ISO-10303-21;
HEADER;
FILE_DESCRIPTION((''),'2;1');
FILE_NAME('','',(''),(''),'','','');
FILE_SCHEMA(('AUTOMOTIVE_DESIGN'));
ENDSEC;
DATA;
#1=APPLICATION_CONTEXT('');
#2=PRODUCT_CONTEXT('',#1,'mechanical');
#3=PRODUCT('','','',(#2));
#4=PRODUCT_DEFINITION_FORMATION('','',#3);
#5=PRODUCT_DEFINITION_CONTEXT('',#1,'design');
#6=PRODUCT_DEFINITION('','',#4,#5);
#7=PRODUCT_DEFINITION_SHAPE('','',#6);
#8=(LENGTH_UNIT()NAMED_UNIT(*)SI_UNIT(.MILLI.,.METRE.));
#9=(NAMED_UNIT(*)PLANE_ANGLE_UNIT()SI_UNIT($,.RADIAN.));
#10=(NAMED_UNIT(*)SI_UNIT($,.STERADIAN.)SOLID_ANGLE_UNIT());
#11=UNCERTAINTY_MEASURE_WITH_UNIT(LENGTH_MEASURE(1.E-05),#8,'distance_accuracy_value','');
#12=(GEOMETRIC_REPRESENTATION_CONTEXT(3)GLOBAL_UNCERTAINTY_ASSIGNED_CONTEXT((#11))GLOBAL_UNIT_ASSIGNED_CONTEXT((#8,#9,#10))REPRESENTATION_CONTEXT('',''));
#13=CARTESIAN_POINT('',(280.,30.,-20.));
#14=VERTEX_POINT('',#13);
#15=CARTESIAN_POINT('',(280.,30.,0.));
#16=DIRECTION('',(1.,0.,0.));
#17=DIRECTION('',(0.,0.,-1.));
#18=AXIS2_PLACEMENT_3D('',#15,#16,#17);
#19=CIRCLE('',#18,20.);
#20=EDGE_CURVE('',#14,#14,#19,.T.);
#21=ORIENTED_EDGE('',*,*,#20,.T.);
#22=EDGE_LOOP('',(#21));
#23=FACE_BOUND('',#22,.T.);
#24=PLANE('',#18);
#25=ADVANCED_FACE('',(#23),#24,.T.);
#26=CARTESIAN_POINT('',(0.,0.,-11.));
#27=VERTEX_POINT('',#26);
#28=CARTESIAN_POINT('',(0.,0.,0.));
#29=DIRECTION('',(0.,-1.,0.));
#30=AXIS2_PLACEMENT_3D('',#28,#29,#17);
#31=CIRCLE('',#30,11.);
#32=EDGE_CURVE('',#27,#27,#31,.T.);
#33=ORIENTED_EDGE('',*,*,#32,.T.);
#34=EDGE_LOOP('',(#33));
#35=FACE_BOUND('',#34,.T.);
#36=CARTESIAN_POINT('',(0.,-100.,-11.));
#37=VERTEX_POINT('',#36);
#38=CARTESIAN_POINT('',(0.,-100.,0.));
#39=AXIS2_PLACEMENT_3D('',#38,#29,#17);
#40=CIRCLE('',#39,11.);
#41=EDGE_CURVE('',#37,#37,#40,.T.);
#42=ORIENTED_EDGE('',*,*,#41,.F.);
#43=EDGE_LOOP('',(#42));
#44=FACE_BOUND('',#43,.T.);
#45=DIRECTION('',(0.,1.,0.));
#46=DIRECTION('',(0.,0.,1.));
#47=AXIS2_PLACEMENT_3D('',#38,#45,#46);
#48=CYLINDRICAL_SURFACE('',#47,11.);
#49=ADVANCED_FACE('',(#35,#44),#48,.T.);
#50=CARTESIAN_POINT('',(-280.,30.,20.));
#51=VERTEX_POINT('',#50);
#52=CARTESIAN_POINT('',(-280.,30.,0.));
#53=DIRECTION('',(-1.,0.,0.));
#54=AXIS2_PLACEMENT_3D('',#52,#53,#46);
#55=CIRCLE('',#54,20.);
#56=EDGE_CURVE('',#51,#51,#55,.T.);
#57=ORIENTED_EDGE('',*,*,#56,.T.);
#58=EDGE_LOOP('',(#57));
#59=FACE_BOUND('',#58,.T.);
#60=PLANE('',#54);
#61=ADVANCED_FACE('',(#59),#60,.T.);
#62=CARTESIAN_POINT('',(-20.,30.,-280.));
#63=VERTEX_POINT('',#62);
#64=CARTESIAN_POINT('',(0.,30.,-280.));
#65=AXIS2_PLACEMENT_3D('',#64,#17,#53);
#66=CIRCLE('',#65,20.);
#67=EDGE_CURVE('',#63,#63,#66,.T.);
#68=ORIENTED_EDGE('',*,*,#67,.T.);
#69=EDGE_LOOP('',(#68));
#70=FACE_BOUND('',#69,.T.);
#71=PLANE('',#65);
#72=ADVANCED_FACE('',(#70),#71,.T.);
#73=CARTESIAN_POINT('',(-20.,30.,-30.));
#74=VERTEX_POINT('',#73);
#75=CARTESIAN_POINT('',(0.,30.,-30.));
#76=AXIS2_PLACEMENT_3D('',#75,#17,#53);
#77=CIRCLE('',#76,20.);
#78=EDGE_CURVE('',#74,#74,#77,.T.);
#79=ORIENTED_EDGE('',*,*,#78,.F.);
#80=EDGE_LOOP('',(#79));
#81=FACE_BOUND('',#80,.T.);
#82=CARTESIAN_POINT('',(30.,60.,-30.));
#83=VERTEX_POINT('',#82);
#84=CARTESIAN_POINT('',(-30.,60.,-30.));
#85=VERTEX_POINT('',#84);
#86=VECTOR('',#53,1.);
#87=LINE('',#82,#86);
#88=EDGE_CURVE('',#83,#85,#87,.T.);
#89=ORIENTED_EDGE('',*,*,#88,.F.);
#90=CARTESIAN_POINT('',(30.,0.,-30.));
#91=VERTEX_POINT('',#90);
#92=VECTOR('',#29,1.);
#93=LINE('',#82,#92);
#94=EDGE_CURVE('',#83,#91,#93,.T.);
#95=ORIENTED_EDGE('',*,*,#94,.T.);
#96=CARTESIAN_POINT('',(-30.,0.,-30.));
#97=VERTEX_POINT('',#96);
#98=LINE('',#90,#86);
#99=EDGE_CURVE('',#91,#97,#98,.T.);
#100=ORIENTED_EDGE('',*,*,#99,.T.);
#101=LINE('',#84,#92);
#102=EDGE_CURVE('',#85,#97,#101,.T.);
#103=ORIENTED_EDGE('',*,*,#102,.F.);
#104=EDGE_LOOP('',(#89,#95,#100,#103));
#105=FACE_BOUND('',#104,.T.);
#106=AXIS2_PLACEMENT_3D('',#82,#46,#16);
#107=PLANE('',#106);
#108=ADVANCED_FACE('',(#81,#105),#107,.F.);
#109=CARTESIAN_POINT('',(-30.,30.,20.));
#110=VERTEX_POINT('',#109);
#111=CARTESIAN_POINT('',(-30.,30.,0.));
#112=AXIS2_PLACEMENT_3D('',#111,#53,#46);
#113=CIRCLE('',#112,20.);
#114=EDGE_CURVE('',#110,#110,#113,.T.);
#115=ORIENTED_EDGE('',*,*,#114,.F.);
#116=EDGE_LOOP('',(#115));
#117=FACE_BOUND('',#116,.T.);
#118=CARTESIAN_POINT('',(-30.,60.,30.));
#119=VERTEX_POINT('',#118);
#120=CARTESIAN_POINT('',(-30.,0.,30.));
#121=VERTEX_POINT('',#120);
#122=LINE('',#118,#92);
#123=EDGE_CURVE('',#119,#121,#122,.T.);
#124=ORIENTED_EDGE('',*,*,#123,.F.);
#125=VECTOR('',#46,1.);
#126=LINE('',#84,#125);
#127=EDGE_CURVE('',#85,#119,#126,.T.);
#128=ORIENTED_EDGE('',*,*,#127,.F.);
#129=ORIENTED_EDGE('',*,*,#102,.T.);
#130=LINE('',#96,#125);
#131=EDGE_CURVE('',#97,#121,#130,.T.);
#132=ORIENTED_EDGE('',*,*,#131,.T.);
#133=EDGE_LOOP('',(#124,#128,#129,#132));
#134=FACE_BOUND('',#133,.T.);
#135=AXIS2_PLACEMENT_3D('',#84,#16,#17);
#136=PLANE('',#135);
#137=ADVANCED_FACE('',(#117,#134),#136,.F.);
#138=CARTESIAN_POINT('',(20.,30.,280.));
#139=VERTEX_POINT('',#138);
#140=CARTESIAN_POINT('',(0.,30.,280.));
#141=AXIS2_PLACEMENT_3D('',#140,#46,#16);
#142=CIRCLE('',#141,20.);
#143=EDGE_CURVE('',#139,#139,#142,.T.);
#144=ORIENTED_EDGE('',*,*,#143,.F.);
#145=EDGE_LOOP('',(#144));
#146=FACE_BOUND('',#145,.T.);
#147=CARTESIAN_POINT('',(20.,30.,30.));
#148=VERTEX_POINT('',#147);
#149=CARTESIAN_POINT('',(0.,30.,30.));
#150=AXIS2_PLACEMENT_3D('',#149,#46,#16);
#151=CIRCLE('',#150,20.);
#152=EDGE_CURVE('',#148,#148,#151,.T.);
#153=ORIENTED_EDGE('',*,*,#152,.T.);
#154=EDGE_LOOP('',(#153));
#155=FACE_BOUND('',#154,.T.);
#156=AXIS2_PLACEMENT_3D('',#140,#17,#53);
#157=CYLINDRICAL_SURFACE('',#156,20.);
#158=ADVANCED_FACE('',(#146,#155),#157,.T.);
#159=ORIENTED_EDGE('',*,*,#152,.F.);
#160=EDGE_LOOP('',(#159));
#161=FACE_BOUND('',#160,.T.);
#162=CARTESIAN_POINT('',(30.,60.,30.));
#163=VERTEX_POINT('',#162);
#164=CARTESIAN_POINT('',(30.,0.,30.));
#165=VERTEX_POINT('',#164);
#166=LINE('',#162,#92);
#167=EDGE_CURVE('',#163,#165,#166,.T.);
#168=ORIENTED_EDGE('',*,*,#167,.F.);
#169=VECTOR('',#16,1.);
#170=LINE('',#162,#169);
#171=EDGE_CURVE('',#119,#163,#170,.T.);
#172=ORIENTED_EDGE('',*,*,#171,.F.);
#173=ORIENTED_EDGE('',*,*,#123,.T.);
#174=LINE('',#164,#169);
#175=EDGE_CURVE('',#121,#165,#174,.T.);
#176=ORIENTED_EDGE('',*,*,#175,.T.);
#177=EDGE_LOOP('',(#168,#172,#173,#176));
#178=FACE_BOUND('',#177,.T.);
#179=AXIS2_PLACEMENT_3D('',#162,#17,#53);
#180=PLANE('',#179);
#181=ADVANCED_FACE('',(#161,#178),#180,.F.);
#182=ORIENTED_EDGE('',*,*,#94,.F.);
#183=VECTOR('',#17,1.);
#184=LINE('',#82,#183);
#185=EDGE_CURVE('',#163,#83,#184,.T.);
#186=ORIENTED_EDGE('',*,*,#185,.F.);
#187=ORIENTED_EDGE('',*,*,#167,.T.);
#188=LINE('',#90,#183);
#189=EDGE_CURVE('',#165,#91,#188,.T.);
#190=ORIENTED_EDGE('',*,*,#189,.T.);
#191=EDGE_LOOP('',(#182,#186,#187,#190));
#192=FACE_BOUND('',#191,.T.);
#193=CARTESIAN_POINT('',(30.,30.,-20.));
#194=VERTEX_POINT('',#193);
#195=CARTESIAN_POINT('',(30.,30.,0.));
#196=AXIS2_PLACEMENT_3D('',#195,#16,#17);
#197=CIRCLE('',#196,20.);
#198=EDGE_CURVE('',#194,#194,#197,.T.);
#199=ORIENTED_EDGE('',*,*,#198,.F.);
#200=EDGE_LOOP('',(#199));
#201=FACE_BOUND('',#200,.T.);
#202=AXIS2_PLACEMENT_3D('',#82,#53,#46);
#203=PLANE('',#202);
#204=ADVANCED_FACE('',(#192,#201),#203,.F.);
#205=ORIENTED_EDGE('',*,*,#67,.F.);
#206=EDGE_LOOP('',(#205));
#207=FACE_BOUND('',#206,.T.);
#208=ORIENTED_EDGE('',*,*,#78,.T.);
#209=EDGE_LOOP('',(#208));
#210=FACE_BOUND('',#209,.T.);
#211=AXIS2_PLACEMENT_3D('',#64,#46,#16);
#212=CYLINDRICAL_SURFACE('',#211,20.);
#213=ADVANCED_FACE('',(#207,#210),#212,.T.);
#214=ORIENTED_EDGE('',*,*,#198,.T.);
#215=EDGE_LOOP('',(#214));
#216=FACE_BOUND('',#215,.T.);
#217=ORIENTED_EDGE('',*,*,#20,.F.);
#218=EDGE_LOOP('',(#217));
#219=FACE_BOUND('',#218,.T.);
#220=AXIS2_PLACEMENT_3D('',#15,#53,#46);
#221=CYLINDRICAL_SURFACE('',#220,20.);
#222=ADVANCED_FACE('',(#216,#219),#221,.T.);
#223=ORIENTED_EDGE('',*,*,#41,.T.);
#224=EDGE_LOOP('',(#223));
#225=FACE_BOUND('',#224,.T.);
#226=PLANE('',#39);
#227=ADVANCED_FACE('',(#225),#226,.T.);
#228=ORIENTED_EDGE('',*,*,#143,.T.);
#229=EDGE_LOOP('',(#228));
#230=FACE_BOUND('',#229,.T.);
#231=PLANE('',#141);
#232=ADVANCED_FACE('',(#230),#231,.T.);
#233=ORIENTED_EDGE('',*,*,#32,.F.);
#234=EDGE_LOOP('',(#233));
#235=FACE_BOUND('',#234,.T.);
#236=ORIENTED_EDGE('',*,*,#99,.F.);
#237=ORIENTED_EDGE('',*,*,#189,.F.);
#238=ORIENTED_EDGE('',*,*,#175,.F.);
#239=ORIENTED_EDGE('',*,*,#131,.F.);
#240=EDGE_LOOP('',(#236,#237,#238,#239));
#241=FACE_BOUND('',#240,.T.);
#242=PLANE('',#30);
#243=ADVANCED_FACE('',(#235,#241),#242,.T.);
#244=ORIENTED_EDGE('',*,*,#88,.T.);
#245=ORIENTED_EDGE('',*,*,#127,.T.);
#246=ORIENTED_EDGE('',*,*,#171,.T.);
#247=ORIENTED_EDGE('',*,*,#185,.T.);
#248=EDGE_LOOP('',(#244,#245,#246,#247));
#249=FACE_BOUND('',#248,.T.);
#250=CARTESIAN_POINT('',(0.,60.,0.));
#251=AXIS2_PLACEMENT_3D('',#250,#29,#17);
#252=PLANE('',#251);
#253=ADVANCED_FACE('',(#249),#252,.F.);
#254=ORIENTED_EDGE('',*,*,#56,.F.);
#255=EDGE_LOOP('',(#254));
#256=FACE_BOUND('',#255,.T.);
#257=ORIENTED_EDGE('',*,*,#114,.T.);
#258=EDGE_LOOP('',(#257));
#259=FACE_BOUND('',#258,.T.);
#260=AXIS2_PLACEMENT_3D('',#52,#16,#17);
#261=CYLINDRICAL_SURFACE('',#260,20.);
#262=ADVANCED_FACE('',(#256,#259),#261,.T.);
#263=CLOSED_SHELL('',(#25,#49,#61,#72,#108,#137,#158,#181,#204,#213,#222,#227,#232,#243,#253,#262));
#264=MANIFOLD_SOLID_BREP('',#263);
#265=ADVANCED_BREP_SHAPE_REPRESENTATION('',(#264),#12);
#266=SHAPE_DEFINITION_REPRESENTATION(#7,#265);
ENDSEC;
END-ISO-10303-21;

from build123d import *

# Parameters (mm, degrees)
SKETCH1_W           = 60
SKETCH1_H           = 60
BOSS_EXTRUDE1_DEPTH = 60
SKETCH2_R           = 20
BOSS_EXTRUDE2_DEPTH = 250
SKETCH3_R           = 20
BOSS_EXTRUDE3_DEPTH = 250
BOSS_EXTRUDE4_START = 250
SKETCH4_R           = 20
BOSS_EXTRUDE4_DEPTH = 250
BOSS_EXTRUDE5_START = 250
SKETCH5_R           = 20
BOSS_EXTRUDE5_DEPTH = 250
SKETCH6_R           = 11
BOSS_EXTRUDE6_DEPTH = 100


with BuildPart() as part:
    # Sketch1 → Boss-Extrude1 (new body)
    with BuildSketch(Plane(origin=(0, 0, 0), x_dir=(1, 0, 0), z_dir=(0, 1, 0))):
        Rectangle(SKETCH1_W, SKETCH1_H)
    extrude(amount=BOSS_EXTRUDE1_DEPTH)

    # Sketch2 → Boss-Extrude2 (add)
    with BuildSketch(Plane.XY.offset(30)):
        with Locations((0, 30)):
            Circle(SKETCH2_R)
    extrude(amount=BOSS_EXTRUDE2_DEPTH)

    # Sketch3 → Boss-Extrude3 (add)
    with BuildSketch(Plane.ZY.offset(30)):
        with Locations((0, 30)):
            Circle(SKETCH3_R)
    extrude(amount=BOSS_EXTRUDE3_DEPTH)

    # Sketch4 → Boss-Extrude4 (add)
    with BuildSketch(Plane(origin=(0, 0, -30), x_dir=(-1, 0, 0), z_dir=(0, 0, -1)).offset(BOSS_EXTRUDE4_START)):
        with Locations(Location((0, 30, 0), (0, 0, 180))):
            Circle(SKETCH4_R)
    extrude(amount=-BOSS_EXTRUDE4_DEPTH)

    # Sketch5 → Boss-Extrude5 (add)
    with BuildSketch(Plane(origin=(30, 0, 0), x_dir=(0, 0, -1), z_dir=(1, 0, 0)).offset(BOSS_EXTRUDE5_START)):
        with Locations(Location((0, 30, 0), (0, 0, 180))):
            Circle(SKETCH5_R)
    extrude(amount=-BOSS_EXTRUDE5_DEPTH)

    # Sketch6 → Boss-Extrude6 (add)
    with BuildSketch(Plane.XZ):
        with Locations(Location((0, 0, 0), (0, 0, 270))):
            Circle(SKETCH6_R)
    extrude(amount=BOSS_EXTRUDE6_DEPTH)


solid = part.part
